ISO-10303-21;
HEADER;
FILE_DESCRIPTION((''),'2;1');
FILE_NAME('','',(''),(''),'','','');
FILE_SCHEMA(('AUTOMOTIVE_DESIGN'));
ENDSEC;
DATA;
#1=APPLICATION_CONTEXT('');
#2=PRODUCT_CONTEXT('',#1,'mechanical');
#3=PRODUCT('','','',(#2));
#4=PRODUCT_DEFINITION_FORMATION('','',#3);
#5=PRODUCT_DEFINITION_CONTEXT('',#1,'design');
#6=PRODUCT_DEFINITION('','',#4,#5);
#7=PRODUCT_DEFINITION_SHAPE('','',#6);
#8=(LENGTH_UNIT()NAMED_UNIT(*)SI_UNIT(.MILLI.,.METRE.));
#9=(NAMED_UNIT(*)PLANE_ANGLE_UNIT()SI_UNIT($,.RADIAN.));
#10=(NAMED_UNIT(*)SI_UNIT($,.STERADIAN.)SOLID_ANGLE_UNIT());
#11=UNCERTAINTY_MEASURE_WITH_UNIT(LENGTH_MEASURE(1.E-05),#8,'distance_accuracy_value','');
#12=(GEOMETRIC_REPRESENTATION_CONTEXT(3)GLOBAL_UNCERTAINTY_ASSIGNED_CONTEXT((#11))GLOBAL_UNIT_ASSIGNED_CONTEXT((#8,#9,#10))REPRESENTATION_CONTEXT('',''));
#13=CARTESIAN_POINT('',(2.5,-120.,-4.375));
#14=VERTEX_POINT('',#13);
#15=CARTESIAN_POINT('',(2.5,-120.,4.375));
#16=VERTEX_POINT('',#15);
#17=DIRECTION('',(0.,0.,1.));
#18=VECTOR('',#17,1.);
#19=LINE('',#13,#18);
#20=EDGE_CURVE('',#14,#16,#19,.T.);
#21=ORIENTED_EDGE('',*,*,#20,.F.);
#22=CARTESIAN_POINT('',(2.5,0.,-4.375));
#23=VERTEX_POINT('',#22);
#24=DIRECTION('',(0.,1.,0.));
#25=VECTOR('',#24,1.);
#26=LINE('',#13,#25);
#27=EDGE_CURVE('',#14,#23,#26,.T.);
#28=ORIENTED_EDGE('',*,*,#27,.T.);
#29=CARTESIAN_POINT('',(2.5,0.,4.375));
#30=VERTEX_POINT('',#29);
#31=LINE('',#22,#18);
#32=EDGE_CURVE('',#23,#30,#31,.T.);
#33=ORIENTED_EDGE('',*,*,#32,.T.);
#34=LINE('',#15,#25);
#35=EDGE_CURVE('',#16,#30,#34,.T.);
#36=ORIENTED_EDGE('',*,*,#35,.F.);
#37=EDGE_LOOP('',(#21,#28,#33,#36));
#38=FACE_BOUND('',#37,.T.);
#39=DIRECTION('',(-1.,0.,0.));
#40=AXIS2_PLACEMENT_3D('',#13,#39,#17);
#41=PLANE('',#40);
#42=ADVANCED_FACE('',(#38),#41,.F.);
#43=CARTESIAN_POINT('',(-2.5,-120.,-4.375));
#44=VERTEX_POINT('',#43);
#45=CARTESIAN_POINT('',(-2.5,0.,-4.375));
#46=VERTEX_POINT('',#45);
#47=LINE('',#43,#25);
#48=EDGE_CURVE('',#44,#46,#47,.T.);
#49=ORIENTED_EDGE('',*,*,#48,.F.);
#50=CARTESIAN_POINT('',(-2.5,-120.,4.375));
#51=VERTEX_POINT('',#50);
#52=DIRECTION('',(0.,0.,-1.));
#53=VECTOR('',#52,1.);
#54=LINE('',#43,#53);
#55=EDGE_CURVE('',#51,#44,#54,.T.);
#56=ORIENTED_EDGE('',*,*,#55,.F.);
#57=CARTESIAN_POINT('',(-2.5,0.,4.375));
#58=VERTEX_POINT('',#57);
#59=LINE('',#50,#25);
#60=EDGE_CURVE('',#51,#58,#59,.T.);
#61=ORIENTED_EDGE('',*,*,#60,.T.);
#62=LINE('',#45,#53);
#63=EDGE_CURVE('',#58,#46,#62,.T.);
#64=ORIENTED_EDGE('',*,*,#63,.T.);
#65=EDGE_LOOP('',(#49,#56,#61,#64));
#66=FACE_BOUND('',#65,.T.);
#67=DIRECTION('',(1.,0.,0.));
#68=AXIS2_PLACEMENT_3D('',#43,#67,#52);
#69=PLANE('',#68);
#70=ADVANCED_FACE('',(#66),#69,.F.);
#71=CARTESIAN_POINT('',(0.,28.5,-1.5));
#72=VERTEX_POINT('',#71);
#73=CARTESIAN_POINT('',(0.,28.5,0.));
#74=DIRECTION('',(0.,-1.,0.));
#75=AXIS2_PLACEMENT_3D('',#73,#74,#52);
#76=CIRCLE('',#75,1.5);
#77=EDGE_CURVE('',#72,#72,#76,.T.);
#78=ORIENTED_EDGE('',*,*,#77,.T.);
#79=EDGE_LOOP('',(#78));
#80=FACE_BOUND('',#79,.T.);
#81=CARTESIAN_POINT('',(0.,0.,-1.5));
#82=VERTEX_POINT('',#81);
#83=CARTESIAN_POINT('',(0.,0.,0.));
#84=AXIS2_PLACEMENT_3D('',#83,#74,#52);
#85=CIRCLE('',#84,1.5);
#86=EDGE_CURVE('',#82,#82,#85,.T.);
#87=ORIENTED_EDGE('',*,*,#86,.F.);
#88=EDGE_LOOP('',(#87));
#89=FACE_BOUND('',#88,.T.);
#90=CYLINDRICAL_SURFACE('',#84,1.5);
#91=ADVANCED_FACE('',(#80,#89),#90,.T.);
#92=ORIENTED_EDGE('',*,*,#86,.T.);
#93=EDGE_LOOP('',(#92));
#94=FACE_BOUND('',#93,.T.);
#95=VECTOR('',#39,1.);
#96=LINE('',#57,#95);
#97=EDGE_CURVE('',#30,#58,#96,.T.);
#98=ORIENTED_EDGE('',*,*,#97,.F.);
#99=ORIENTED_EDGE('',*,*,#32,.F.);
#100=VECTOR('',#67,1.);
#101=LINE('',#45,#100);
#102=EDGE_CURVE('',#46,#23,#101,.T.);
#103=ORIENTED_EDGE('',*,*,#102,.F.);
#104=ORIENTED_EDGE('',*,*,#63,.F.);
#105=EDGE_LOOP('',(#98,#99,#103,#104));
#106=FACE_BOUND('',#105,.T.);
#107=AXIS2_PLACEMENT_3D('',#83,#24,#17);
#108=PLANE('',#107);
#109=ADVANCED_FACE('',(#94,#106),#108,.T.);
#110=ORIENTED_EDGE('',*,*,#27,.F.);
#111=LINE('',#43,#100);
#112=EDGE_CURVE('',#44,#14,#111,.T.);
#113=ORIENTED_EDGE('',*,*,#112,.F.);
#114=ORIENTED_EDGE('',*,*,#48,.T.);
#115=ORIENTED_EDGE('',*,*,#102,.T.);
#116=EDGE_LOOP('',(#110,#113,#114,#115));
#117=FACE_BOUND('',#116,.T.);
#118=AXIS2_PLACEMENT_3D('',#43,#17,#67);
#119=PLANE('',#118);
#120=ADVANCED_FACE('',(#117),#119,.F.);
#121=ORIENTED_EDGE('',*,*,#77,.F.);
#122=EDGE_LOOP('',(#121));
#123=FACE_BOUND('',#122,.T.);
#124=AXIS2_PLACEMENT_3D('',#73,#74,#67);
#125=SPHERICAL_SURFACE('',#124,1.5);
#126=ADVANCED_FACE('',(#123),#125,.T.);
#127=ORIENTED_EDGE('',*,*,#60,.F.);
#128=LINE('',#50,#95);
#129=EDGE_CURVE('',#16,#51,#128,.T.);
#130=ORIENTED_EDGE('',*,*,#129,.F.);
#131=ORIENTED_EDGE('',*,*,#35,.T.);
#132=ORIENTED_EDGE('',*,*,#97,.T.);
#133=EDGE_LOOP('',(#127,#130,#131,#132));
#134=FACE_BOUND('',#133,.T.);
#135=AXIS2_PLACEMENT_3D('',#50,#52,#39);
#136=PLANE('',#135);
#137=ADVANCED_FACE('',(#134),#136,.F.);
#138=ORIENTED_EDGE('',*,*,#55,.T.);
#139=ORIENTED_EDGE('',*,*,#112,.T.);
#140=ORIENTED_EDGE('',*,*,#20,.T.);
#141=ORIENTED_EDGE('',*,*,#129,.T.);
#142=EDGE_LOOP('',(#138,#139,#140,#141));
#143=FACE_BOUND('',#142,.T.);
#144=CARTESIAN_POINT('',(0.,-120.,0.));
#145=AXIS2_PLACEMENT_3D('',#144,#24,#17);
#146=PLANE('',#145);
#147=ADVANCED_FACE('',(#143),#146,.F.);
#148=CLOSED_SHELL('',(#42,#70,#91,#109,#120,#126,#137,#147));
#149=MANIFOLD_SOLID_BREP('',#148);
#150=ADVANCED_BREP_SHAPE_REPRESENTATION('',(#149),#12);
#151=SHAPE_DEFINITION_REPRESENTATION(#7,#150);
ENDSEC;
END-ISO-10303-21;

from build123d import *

# Parameters (mm, degrees)
SCHIZZO2_W                   = 5
SCHIZZO2_H                   = 8.75
ESTRUSIONE_ESTRUSIONE1_DEPTH = 120


with BuildPart() as part:
    # Schizzo1 → Rivoluzione2 (revolve)
    with BuildSketch(Plane.XY):
        with BuildLine():
            Line((-1.5, 0), (-1.5, 28.5))
            ThreePointArc((-1.5, 28.5), (-1.060660172, 29.560660172), (0, 30))
            Line((0, 30), (0, 0))
            Line((0, 0), (-1.5, 0))
        make_face()
    revolve(axis=Axis((0, 0, 0), (0, 1, 0)))

    # Schizzo2 → Estrusione-Estrusione1 (add)
    with BuildSketch(Plane.XZ):
        Rectangle(SCHIZZO2_W, SCHIZZO2_H)
    extrude(amount=ESTRUSIONE_ESTRUSIONE1_DEPTH)


solid = part.part
